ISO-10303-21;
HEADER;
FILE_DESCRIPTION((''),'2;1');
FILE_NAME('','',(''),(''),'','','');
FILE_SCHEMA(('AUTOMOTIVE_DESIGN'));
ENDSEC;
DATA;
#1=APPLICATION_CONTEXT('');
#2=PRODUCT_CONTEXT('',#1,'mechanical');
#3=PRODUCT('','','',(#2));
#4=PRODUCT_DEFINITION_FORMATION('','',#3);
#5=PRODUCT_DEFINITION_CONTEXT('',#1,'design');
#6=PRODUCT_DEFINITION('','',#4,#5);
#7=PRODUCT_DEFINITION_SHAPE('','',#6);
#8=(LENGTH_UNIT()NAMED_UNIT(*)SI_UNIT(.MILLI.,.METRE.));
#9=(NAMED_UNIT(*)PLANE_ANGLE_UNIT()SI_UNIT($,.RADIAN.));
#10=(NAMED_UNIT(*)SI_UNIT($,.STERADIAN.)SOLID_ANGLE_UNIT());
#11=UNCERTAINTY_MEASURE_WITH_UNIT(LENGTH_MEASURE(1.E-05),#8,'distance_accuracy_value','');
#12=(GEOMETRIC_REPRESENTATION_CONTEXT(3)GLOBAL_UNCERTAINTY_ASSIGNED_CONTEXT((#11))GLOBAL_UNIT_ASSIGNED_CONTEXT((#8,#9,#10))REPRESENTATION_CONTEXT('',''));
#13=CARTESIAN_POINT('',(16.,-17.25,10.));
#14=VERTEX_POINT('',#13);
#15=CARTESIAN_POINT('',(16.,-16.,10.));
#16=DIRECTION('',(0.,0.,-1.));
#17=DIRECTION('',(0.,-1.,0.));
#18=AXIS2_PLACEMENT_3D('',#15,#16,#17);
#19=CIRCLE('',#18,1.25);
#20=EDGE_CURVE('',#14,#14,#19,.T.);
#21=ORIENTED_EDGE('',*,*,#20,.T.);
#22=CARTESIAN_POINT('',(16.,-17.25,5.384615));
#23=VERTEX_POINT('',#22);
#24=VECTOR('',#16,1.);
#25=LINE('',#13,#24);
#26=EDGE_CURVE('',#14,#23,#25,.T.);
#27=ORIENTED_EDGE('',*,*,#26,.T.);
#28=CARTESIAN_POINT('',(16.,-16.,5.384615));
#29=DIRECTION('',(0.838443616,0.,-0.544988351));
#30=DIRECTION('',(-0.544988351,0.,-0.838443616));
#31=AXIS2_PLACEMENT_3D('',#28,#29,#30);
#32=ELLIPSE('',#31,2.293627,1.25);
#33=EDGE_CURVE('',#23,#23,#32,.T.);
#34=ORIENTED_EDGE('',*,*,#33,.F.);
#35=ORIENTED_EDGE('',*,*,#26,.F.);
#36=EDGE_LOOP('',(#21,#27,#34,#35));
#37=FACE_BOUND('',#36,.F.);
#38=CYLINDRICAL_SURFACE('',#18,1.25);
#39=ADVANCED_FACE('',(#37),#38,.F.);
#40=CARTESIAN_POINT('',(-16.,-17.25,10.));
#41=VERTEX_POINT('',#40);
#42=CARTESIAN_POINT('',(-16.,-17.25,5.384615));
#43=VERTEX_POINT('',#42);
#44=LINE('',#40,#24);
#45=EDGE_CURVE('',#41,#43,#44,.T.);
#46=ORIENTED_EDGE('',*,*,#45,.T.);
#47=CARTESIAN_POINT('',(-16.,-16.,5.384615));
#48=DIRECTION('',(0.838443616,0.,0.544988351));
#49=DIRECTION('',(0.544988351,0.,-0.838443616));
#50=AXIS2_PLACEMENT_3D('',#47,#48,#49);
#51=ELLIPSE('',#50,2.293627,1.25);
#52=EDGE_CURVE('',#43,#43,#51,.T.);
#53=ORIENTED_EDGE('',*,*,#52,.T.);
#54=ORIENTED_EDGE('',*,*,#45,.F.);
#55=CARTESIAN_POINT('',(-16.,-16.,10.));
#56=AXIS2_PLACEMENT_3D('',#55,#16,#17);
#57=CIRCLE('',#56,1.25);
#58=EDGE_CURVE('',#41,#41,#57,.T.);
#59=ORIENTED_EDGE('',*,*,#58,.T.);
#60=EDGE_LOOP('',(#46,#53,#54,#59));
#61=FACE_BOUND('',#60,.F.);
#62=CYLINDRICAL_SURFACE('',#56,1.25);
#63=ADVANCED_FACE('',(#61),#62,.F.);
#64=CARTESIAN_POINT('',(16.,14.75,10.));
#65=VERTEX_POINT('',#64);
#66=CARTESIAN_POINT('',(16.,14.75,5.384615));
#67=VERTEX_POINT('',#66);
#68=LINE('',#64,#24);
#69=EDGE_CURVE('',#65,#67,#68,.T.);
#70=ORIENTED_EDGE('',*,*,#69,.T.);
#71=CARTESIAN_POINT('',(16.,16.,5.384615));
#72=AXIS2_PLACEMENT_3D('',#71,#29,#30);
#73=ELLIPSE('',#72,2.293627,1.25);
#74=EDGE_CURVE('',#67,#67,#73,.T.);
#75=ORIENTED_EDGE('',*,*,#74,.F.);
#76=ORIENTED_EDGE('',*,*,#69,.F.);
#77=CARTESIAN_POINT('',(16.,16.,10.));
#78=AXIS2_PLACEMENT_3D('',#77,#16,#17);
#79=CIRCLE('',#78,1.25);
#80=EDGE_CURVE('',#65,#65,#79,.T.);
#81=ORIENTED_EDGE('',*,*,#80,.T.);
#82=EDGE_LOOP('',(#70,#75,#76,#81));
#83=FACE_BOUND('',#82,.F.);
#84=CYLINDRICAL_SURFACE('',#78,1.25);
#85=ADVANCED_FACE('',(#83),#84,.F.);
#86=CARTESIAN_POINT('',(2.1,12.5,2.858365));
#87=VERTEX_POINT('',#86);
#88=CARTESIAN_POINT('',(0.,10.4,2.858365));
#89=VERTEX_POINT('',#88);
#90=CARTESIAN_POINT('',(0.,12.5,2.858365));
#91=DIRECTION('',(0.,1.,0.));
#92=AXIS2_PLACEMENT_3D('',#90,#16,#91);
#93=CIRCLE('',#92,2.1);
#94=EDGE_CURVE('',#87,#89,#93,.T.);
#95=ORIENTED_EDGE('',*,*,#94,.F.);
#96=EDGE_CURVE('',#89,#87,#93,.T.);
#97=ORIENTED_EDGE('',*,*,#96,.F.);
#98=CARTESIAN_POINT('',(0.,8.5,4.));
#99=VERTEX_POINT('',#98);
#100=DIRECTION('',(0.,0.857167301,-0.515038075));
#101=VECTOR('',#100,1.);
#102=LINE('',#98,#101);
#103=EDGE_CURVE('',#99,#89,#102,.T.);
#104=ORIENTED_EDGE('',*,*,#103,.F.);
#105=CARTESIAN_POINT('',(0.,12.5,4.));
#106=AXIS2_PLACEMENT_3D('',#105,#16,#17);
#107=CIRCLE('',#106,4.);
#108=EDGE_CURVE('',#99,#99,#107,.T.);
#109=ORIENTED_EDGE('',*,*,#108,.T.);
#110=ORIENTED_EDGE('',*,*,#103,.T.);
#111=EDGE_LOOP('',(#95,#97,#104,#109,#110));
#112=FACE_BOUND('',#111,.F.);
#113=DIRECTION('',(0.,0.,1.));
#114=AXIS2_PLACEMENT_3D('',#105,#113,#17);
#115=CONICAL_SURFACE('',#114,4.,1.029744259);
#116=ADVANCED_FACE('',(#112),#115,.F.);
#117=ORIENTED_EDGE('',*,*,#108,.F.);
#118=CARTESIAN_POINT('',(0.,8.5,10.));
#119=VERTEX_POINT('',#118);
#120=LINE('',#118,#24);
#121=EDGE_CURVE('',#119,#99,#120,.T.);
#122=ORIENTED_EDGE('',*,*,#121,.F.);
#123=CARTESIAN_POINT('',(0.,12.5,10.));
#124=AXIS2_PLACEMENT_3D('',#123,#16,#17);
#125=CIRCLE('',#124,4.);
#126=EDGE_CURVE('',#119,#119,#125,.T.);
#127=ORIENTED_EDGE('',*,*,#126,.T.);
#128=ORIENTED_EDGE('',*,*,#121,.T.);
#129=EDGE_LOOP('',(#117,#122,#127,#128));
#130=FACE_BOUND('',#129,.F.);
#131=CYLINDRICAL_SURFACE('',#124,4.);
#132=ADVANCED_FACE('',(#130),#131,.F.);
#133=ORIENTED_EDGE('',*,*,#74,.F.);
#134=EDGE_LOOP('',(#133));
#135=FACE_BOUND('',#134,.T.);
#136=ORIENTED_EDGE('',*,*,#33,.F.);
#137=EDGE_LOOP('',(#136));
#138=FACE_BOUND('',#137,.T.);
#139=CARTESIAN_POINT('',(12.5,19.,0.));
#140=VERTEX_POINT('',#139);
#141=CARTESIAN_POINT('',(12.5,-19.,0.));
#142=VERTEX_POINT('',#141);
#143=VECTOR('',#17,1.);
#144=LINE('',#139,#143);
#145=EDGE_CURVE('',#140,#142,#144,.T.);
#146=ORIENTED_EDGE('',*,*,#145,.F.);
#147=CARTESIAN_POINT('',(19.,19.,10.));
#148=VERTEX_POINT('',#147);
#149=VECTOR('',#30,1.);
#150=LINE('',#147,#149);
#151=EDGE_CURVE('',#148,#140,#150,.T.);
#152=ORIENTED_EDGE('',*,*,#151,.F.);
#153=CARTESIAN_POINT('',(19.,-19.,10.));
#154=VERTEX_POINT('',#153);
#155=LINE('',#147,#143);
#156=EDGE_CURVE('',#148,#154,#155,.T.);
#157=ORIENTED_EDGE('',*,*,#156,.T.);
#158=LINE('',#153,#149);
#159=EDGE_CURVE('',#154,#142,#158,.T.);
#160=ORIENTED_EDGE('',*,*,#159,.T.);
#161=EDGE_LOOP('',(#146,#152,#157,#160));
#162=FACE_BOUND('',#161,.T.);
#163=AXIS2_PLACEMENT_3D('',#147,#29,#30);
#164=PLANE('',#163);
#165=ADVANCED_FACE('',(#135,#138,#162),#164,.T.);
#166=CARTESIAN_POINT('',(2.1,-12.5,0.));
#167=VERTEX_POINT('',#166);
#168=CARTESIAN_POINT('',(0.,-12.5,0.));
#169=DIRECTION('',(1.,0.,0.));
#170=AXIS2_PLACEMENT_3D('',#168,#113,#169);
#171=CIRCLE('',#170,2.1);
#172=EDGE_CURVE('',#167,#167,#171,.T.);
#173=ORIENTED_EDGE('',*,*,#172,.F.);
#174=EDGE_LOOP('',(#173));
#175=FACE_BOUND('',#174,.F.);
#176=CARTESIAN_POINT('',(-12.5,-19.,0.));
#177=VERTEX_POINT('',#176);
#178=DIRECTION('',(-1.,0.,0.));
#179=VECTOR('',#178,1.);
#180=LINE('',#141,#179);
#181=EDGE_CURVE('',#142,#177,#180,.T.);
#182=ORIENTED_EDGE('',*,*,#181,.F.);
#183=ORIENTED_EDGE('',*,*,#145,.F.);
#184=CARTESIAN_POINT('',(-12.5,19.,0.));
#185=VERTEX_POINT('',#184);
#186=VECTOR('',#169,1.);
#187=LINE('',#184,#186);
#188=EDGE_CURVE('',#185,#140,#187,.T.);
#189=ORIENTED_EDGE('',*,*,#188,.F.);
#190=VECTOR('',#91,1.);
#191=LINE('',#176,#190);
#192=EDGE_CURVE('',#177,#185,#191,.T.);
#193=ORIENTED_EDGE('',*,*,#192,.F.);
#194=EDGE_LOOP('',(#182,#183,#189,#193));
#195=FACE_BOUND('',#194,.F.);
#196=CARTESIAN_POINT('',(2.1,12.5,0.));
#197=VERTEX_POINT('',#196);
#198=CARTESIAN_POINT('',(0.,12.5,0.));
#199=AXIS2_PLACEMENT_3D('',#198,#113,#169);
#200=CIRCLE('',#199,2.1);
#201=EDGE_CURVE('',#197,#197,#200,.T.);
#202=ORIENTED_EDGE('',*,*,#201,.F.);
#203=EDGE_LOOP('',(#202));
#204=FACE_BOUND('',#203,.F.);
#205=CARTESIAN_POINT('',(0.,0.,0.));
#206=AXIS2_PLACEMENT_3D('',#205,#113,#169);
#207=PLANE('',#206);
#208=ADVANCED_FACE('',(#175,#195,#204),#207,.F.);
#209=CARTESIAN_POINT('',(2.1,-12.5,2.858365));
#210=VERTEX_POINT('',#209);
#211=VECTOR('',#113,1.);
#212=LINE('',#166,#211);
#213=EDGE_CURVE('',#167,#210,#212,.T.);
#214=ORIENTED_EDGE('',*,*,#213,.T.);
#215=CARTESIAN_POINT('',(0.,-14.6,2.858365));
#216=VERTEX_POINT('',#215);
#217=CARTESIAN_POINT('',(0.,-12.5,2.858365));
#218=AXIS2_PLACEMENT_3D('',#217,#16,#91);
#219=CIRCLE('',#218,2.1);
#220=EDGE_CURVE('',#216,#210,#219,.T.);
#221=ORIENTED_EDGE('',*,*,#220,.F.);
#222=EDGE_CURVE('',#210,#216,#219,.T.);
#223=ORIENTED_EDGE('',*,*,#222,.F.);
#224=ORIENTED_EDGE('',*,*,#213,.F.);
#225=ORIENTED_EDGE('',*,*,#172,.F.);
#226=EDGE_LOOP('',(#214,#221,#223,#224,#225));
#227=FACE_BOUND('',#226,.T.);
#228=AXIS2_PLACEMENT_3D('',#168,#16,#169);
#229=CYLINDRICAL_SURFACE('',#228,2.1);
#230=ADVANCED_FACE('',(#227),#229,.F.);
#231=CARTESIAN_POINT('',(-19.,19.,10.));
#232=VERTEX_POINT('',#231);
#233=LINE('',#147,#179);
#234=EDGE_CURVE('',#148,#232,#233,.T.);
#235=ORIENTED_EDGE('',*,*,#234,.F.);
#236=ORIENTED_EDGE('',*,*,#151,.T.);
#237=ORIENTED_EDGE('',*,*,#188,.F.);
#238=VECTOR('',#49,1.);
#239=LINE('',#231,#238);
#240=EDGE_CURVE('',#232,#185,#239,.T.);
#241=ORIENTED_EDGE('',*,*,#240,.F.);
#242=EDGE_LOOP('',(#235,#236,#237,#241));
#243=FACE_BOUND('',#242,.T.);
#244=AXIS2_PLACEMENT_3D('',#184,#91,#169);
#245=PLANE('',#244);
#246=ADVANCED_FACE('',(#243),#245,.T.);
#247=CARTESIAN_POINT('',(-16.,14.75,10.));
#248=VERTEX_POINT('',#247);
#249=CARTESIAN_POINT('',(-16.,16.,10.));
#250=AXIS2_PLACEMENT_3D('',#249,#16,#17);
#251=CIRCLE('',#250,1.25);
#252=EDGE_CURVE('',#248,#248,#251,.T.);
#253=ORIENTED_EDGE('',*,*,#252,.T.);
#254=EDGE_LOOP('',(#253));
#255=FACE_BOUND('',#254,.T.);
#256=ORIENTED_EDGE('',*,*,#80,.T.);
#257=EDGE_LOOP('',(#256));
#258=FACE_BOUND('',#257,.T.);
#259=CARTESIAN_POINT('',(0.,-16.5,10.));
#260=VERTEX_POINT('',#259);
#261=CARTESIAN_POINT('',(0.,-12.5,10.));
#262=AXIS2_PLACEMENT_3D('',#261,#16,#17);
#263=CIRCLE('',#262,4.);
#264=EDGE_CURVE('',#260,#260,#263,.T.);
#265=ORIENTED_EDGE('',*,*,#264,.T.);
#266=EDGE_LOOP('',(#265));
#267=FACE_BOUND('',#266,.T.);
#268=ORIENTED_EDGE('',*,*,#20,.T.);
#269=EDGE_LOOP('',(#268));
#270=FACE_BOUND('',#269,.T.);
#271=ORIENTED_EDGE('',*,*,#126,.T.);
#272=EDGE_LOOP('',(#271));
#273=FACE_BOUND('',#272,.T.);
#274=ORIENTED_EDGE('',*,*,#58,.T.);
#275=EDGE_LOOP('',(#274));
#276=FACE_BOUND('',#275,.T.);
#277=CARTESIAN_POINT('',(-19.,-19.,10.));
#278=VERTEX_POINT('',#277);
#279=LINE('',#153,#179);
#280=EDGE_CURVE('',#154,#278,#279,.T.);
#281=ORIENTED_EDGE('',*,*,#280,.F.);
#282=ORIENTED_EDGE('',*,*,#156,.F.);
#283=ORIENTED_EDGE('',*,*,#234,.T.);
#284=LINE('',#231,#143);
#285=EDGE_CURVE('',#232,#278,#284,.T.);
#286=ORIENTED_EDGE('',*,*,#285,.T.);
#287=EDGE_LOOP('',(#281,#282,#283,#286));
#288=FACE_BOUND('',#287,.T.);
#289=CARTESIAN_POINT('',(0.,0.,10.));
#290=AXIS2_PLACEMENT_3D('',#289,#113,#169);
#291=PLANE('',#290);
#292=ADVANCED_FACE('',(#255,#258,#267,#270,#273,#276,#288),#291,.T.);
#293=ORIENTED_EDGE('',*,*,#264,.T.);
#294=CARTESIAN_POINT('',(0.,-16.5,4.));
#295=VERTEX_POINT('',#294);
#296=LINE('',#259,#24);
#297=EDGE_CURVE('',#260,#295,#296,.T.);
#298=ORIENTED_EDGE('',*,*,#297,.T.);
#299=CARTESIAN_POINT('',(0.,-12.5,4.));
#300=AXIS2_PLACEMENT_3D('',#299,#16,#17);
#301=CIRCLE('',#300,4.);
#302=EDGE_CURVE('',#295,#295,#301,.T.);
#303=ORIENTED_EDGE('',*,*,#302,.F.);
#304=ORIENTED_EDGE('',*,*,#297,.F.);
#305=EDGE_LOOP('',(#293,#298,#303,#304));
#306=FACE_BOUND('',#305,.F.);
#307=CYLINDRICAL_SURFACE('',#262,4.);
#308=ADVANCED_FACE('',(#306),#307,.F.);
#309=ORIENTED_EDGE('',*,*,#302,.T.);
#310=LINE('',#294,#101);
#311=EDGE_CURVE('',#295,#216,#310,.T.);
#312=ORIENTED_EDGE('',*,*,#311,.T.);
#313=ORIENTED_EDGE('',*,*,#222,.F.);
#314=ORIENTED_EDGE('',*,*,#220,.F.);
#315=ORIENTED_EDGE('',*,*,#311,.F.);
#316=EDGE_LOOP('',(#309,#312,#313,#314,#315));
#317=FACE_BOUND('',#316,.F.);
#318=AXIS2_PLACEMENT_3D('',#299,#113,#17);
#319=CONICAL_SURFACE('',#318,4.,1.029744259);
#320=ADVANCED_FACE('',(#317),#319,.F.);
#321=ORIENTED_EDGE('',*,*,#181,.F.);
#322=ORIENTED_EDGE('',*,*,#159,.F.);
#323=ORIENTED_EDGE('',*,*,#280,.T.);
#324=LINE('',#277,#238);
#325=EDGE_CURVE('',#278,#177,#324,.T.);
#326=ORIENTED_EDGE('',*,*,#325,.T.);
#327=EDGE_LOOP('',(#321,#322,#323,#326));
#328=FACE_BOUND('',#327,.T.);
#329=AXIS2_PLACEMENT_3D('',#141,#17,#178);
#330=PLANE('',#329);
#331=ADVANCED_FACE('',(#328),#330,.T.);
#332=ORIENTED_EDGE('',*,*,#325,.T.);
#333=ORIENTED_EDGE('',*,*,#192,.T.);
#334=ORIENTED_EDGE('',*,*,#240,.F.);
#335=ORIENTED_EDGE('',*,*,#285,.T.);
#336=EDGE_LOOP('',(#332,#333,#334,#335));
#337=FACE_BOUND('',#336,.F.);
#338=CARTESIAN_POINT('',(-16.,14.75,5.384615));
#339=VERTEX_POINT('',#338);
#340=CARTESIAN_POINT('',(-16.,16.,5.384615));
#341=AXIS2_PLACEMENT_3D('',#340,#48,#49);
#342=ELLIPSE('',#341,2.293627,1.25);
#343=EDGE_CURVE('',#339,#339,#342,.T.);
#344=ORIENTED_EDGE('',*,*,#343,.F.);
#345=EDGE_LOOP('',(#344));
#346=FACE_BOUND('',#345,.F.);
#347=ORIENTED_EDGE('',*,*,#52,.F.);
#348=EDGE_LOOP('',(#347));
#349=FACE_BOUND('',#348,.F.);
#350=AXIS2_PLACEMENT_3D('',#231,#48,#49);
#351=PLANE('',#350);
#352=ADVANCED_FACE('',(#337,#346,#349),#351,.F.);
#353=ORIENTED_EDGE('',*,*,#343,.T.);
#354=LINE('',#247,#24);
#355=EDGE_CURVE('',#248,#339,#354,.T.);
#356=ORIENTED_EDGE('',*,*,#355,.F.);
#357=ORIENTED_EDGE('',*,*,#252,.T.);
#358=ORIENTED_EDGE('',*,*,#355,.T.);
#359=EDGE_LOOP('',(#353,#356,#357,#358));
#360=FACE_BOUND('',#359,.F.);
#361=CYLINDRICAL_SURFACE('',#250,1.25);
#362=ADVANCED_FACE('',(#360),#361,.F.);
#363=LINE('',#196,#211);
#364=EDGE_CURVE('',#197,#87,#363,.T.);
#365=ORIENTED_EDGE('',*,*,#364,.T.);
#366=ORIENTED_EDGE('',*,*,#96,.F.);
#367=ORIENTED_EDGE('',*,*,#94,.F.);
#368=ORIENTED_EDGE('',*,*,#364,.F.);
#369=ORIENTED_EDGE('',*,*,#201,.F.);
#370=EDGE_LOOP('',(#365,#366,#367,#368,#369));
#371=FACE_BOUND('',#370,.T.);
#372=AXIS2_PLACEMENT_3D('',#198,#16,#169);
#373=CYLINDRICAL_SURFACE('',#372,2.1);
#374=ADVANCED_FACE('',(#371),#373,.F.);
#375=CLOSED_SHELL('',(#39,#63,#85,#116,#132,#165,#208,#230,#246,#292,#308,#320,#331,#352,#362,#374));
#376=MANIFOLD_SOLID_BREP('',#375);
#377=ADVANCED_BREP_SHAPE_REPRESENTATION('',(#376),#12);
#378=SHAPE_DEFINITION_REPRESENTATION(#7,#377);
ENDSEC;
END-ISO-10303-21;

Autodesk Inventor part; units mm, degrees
ref_plane "YZ Plane" through (0, 0, 0) normal (1, 0, 0) x (0, 1, 0)
ref_plane "XZ Plane" through (0, 0, 0) normal (0, 1, 0) x (-1, 0, 0)
ref_plane "XY Plane" through (0, 0, 0) normal (0, 0, 1) x (1, 0, 0)
sketch "Sketch1" plane through (0, 0, 0) normal (0, 0, 1) x (1, 0, 0)
  line L0 (12.5, -19) -> (-12.5, -19)
  line L1 (-12.5, -19) -> (-12.5, 19)
  line L2 (-12.5, 19) -> (12.5, 19)
  line L3 (12.5, 19) -> (12.5, -19)
  line L4 (12.5, -19) -> (-12.5, 19) construction
  line L5 (-12.5, -19) -> (12.5, 19) construction
  circle A0 centre (0, 12.5) radius 2.1
  circle A1 centre (0, -12.5) radius 2.1
  point P0 (0, 0)
  dimension "d0" = 25
  dimension "d1" = 38
  dimension "d2" = 4.2
  dimension "d3" = 4.2
  dimension "d4" = 12.5
  dimension "d5" = 12.5
extrude "Extrusion1" add sketch "Sketch1" along normal blind 10
sketch "Sketch2" plane through (-12.5, 19, 0) normal (0, 1, 0) x (1, 0, 0)
  line L0 (0, 0) -> (0, -10) projected
  line L1 (0, -10) -> (-6.5, -10)
  line L2 (-6.5, -10) -> (0, 0)
  line L3 (0, -10) -> (25, -10) projected
  line L4 (0, 0) -> (0, -10)
  line L5 (25, -10) -> (31.5, -10)
  line L6 (25, 0) -> (25, -10) projected
  line L7 (31.5, -10) -> (25, 0)
  line L8 (25, 0) -> (25, -10)
  point P0 (12.5, 0)
  dimension "d8" = 6.5
  dimension "d9" = 6.5
extrude "Extrusion2" add sketch "Sketch2" against normal up to surface (38 mm away)
sketch "Sketch3" plane through (0, 0, 10) normal (0, 0, 1) x (1, 0, 0)
  line L0 (-5.4088, 0) -> (7.7062, 0)
  line L1 (0, 5.8117) -> (0, -6.6687)
  point P0 (0, 0)
  point P1 (-16, 16)
  point P2 (16, 16)
  point P3 (-16, -16)
  point P4 (16, -16)
  dimension "d12" = 16
  dimension "d13" = 16
  dimension "d16" = 32
  dimension "d19" = 32
hole "Hole1" at (-16, 16, 10) at (16, 16, 10) at (-16, -16, 10) at (16, -16, 10) direction (0, 0, -1) diameter 2.5 depth 20 tip angle 118
hole "Hole2" at (0, -12.5, 10) direction (0, 0, -1) diameter 8 depth 6 tip angle 118
hole "Hole3" at (0, 12.5, 10) direction (0, 0, -1) diameter 8 depth 6 tip angle 118
properties part number "RDtoRC2-height10mm"
